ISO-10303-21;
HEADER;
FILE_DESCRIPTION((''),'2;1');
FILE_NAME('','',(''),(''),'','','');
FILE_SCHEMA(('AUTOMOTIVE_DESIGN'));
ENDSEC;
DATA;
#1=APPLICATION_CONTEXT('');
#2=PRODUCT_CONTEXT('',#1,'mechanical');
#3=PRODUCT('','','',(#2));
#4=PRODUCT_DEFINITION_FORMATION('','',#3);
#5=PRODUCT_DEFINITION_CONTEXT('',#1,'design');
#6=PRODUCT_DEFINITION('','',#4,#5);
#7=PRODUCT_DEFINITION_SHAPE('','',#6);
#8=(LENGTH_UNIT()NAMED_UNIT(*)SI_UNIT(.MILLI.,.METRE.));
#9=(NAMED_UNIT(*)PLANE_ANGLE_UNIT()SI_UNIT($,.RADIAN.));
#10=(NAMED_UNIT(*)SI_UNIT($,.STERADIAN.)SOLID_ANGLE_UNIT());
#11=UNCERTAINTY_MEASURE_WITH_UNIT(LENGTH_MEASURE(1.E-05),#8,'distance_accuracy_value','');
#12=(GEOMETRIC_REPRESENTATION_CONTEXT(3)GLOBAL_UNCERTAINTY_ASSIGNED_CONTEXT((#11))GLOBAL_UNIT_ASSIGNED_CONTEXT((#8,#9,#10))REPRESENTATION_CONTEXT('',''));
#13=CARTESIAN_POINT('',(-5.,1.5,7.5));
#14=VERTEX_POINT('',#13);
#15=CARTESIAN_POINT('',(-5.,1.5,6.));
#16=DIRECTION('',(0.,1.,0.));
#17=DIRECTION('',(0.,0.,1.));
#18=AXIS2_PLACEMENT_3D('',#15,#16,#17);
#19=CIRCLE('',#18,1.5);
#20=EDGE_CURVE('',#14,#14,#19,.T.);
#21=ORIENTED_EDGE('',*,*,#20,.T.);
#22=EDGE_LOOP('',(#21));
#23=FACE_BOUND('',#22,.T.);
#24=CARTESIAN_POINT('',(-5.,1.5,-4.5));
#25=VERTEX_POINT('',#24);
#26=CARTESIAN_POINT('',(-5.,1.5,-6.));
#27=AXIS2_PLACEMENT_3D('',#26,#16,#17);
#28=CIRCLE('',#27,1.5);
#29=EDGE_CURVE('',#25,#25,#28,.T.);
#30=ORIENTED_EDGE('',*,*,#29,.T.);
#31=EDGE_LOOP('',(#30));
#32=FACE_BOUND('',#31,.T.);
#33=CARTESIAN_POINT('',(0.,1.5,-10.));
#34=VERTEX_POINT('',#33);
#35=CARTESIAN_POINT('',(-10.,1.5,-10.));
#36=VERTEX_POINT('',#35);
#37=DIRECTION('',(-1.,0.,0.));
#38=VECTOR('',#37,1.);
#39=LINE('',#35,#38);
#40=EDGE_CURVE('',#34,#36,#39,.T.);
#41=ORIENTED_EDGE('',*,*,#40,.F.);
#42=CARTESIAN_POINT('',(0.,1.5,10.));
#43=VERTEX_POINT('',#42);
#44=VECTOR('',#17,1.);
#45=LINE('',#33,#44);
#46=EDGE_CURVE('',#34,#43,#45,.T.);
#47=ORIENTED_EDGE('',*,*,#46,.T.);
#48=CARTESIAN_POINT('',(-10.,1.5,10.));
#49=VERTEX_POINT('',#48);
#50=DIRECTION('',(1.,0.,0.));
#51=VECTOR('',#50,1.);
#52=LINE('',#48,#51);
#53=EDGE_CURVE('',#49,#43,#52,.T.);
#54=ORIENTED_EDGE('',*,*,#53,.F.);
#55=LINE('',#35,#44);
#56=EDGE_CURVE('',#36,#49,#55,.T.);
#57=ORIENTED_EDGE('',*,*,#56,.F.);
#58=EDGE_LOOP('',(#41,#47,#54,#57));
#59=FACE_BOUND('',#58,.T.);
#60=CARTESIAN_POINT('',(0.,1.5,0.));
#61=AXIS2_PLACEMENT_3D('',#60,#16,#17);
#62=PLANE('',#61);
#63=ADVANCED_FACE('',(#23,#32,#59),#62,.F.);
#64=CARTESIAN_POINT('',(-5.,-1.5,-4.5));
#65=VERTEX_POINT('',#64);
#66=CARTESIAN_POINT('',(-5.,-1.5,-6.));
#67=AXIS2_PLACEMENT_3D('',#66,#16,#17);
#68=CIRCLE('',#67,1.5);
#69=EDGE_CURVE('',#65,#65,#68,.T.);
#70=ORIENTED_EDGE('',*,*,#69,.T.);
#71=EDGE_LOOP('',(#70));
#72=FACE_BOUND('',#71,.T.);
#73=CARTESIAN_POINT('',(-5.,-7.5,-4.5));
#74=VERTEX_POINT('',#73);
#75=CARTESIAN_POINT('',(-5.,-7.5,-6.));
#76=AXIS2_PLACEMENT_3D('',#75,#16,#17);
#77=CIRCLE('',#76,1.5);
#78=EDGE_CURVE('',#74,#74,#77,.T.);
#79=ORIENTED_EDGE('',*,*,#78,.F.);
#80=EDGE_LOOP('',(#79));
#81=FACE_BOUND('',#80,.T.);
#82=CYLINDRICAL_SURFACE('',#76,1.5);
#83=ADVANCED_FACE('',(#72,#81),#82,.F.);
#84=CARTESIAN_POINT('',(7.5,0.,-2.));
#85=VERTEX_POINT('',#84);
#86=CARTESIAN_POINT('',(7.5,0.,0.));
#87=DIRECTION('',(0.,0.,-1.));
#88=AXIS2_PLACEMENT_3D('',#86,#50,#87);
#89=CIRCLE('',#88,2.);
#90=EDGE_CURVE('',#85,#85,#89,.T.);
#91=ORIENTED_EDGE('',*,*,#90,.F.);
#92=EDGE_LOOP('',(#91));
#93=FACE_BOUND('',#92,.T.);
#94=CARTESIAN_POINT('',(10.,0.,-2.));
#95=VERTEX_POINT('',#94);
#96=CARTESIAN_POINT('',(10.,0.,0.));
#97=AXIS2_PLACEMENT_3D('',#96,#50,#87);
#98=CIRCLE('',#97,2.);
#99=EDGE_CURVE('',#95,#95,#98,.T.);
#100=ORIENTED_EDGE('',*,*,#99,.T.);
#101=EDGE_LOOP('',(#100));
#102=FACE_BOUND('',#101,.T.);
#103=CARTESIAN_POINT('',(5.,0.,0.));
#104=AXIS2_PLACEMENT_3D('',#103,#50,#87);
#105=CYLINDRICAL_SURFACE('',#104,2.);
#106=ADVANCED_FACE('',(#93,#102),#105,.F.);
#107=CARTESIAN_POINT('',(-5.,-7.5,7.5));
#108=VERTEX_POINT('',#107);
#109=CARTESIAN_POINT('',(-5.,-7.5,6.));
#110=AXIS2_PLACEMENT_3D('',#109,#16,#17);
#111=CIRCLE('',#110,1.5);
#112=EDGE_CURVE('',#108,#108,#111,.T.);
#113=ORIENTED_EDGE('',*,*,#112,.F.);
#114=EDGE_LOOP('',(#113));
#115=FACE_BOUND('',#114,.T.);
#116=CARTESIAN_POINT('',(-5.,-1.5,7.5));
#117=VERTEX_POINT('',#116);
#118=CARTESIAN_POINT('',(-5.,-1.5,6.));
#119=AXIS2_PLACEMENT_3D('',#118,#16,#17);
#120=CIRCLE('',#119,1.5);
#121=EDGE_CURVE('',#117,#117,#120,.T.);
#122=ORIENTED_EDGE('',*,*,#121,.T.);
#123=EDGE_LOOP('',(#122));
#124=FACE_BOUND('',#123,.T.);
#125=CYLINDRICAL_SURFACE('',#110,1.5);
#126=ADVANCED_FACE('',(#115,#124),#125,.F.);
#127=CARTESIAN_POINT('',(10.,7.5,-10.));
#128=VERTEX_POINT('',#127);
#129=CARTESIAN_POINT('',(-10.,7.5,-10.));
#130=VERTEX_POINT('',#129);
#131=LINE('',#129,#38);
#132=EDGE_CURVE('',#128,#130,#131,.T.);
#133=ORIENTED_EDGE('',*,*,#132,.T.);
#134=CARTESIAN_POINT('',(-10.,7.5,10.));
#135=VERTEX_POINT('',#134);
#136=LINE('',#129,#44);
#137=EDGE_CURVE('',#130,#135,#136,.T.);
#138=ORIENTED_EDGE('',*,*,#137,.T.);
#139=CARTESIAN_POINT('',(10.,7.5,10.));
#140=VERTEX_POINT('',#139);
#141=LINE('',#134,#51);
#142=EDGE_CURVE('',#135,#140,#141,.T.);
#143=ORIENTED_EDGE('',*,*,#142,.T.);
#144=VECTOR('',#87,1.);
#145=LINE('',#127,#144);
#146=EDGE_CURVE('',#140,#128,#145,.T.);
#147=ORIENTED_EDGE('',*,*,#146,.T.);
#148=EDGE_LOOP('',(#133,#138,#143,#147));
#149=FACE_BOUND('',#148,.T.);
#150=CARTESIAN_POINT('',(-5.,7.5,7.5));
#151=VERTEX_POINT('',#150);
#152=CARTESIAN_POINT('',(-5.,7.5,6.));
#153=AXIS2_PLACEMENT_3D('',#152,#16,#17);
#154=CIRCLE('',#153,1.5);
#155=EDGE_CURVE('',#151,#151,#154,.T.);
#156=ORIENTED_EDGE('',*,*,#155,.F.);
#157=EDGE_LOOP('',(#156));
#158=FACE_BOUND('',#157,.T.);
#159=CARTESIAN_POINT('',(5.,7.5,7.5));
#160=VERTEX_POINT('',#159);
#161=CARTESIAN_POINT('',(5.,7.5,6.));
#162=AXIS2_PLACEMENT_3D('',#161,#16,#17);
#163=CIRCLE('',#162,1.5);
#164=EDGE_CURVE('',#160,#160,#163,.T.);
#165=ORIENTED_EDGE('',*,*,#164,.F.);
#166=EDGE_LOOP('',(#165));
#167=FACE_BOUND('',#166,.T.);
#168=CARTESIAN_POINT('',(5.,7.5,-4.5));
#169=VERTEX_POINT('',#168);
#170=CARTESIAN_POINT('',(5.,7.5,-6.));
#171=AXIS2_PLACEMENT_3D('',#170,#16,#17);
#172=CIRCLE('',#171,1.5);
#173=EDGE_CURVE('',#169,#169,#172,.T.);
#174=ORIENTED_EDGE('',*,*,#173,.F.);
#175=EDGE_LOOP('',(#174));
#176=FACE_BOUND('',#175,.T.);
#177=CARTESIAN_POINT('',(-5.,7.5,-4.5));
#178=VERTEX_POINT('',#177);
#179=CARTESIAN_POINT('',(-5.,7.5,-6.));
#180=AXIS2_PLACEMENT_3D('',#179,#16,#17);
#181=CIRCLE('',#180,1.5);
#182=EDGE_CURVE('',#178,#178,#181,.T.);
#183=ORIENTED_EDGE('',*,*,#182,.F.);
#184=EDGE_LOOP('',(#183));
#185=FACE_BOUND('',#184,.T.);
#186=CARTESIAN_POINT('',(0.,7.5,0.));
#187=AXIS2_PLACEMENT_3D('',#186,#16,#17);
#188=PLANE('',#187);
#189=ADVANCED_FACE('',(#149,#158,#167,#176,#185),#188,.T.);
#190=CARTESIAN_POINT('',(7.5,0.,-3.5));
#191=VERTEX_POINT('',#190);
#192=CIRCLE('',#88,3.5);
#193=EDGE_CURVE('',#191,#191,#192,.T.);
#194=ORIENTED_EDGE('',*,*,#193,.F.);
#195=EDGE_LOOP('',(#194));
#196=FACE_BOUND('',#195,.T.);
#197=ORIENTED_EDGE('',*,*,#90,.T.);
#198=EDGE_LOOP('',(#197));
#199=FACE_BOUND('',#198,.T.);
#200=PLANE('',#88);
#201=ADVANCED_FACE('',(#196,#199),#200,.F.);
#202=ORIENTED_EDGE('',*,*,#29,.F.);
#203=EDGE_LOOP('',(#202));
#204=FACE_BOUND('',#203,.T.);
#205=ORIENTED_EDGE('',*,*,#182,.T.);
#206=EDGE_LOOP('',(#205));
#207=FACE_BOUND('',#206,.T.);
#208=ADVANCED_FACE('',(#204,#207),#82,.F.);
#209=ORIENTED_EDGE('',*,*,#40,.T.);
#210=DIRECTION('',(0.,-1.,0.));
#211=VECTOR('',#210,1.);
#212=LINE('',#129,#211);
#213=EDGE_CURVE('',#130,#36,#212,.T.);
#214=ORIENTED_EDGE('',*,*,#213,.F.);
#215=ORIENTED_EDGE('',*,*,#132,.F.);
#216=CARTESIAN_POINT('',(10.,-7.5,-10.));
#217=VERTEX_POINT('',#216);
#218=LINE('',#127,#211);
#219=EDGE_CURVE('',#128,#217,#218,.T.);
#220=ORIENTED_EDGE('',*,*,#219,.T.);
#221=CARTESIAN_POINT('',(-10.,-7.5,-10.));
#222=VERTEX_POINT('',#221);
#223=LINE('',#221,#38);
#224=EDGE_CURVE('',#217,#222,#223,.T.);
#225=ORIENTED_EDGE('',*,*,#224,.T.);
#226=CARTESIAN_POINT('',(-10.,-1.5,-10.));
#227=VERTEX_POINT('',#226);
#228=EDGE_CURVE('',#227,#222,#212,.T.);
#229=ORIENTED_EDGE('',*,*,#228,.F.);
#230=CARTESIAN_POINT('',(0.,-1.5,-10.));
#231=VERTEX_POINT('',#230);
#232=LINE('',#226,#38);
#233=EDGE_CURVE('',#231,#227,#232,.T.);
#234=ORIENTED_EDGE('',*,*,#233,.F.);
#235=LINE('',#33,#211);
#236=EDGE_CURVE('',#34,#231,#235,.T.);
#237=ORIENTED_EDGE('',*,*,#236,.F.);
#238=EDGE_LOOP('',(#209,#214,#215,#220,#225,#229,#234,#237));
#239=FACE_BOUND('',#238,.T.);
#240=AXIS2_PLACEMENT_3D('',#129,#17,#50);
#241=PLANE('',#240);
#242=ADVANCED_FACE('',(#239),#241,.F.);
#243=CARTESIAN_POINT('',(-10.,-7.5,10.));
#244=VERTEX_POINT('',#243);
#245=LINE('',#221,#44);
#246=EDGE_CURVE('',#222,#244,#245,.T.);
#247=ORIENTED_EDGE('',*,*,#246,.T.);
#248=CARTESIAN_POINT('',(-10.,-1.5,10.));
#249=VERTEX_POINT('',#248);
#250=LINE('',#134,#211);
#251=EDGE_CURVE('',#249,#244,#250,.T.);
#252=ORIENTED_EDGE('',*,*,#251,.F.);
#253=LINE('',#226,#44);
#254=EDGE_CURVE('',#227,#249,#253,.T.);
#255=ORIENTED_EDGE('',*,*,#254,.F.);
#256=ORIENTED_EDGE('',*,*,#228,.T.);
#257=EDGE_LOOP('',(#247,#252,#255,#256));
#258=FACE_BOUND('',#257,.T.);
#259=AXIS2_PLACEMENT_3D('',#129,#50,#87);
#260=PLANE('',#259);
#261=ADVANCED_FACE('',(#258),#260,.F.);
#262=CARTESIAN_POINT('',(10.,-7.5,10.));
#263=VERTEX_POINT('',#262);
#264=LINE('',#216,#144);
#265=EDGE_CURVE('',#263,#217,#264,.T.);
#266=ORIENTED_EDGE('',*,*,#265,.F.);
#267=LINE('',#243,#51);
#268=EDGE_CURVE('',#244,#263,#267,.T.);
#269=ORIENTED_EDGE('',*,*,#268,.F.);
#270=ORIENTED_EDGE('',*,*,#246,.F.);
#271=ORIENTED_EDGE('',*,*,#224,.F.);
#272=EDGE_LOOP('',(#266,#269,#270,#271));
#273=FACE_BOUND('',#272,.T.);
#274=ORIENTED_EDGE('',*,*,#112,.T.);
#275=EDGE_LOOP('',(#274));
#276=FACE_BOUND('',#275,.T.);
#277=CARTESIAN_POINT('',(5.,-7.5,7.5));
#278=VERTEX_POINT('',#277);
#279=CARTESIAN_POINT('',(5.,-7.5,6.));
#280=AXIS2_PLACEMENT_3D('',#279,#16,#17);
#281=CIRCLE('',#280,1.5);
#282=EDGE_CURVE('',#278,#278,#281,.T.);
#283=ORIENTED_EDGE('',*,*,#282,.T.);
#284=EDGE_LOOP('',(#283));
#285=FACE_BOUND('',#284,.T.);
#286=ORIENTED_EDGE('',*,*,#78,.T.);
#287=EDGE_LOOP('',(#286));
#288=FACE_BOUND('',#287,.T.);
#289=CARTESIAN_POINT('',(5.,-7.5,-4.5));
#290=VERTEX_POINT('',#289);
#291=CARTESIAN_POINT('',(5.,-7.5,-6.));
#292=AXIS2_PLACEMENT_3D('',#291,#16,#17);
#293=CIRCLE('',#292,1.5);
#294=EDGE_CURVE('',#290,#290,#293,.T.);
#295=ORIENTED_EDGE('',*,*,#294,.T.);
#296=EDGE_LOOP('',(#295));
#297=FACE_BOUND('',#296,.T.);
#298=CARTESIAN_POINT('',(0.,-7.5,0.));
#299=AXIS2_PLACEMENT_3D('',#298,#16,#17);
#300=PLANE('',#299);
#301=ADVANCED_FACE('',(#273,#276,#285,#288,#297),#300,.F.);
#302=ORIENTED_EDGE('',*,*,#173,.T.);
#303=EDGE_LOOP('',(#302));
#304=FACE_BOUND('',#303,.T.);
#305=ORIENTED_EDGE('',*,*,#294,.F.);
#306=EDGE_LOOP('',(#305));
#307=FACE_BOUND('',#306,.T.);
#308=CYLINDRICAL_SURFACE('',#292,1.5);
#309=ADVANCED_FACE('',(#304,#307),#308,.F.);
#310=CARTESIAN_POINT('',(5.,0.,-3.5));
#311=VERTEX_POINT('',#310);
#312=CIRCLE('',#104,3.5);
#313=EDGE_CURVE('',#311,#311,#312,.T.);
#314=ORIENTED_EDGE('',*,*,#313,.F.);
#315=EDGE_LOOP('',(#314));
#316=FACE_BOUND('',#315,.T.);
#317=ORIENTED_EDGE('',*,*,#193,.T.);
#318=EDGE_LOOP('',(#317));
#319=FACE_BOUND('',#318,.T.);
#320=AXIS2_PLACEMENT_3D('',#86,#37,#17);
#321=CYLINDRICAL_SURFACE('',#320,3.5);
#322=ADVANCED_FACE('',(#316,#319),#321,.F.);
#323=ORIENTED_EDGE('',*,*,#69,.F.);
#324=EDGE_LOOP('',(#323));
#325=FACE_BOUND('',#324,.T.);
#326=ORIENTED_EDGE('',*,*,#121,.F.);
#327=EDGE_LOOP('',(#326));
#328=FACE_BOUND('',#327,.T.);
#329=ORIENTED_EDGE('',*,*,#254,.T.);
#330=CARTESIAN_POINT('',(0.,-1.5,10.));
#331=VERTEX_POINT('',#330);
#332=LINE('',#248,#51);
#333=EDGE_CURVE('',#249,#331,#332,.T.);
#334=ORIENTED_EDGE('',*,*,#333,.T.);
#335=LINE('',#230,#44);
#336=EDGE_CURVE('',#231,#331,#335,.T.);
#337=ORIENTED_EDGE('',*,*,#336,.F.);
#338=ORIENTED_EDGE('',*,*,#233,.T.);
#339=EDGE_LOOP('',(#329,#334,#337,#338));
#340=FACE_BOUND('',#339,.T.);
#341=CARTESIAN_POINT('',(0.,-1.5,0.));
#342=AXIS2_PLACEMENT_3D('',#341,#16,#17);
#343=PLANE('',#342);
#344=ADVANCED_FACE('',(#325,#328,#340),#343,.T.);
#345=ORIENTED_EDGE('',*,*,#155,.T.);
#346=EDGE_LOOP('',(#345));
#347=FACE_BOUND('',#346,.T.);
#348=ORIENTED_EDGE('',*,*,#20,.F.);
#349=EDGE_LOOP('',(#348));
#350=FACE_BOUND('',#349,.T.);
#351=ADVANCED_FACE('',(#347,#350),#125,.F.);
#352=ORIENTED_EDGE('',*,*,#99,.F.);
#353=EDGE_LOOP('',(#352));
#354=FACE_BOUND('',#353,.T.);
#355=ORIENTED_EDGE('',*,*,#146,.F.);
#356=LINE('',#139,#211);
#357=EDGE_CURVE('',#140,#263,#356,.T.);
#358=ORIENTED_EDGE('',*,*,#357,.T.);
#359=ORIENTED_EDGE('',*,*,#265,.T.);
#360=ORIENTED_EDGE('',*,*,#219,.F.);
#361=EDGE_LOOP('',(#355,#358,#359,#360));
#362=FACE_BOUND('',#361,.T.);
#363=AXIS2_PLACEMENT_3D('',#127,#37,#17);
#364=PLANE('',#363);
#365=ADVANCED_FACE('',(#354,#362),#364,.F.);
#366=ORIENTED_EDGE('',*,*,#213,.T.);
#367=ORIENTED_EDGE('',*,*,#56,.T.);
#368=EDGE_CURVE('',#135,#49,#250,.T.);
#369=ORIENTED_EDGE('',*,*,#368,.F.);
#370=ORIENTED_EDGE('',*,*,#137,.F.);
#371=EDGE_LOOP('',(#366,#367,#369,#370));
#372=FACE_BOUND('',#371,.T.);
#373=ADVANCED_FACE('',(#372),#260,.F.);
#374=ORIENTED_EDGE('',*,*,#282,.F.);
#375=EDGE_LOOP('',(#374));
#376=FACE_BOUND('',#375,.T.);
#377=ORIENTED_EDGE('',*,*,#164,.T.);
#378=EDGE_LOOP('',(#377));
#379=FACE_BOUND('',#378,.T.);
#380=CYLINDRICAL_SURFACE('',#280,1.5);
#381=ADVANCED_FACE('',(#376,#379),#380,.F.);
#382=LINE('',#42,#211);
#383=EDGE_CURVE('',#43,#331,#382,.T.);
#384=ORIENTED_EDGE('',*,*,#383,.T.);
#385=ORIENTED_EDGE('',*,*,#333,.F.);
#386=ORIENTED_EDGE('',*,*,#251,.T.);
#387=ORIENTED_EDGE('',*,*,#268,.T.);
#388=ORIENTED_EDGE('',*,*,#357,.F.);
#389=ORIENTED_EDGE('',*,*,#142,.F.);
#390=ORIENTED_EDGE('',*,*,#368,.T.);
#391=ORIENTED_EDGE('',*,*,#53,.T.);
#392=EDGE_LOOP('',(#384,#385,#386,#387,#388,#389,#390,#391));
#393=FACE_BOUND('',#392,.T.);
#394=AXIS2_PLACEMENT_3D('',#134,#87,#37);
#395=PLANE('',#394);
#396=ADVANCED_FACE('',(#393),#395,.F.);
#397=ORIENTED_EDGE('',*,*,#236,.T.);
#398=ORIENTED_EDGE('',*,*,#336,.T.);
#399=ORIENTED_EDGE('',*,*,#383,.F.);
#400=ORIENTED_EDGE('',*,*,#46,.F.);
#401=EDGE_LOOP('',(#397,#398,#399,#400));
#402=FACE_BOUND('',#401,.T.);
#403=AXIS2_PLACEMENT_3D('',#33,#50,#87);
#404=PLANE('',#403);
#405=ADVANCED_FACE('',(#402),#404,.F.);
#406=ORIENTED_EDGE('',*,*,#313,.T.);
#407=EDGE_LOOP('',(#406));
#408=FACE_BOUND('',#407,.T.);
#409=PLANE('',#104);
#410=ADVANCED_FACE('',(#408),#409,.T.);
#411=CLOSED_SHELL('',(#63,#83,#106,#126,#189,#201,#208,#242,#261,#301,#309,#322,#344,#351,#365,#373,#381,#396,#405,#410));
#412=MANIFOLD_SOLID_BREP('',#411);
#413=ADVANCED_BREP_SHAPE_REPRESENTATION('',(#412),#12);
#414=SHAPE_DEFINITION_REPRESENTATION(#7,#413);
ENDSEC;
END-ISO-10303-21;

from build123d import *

# Parameters (mm, degrees)
SKETCH1_W            = 20
SKETCH1_H            = 20
BOSS_EXTRUDE1_DEPTH  = 7.5
SKETCH1_3_W          = 20
SKETCH1_3_H          = 20
CUT_EXTRUDE2_DEPTH   = 1.5
SKETCH3_W            = 10
SKETCH3_H            = 20
BOSS_EXTRUDE2_DEPTH  = 1.5
MOUNTHOLE_DEPTH      = 17.007810594
MOUNTHOLE_DEPTH_BACK = 17.007810594
SKETCH5_R            = 1.5
SKETCH6_R            = 3.5
BEARINGHOLE_DEPTH    = 2.5
SKETCH4_R            = 2
SHAFT_DEPTH          = 5


with BuildPart() as part:
    # Sketch1 → Boss-Extrude1 (new, symmetric)
    with BuildSketch(Plane(origin=(0, 0, 0), x_dir=(1, 0, 0), z_dir=(0, 1, 0))):
        Rectangle(SKETCH1_W, SKETCH1_H)
    extrude(amount=BOSS_EXTRUDE1_DEPTH, both=True)

    # Sketch1<3> → Cut-Extrude2 (cut, symmetric)
    with BuildSketch(Plane(origin=(0, 0, 0), x_dir=(1, 0, 0), z_dir=(0, 1, 0))):
        Rectangle(SKETCH1_3_W, SKETCH1_3_H)
    extrude(amount=CUT_EXTRUDE2_DEPTH, both=True, mode=Mode.SUBTRACT)


with BuildPart() as cut_extrude2_piece_1:
    # of the separate pieces the step leaves, piece 1, a body of its own (cut_extrude2_pieces)
    add(part.part.solids().sort_by_distance((-10, -7.5, -10))[0])



with BuildPart() as cut_extrude2_piece_2:
    # of the separate pieces the step leaves, piece 2, a body of its own (cut_extrude2_pieces)
    add(part.part.solids().sort_by_distance((-10, 1.5, -10))[0])


with BuildPart() as cut_extrude2_piece_1_1:
    add(cut_extrude2_piece_1.part)

    add(cut_extrude2_piece_2.part)  # Boss-Extrude2 merges Cut-Extrude2 piece 2
    # Sketch3 → Boss-Extrude2 (add, symmetric)
    with BuildSketch(Plane(origin=(0, 0, 0), x_dir=(1, 0, 0), z_dir=(0, 1, 0))):
        with Locations((5, 0)):
            Rectangle(SKETCH3_W, SKETCH3_H)
    extrude(amount=BOSS_EXTRUDE2_DEPTH, both=True)

    # Sketch5 → mounthole (cut, two sides: drawn at the far end of the back side and taken through both)
    with BuildSketch(Plane(origin=(0, 0, 0), x_dir=(1, 0, 0), z_dir=(0, 1, 0)).offset(-MOUNTHOLE_DEPTH_BACK)):
        with Locations((-5, 6)):
            Circle(SKETCH5_R)
        with Locations((5, 6)):
            Circle(SKETCH5_R)
        with Locations((5, -6)):
            Circle(SKETCH5_R)
        with Locations((-5, -6)):
            Circle(SKETCH5_R)
    extrude(amount=MOUNTHOLE_DEPTH + MOUNTHOLE_DEPTH_BACK, mode=Mode.SUBTRACT)

    # Sketch6 → bearinghole (cut)
    with BuildSketch(Plane(origin=(5, 0, 0), x_dir=(0, 0, -1), z_dir=(1, 0, 0))):
        Circle(SKETCH6_R)
    extrude(amount=BEARINGHOLE_DEPTH, mode=Mode.SUBTRACT)

    # Sketch4 → shaft (cut)
    with BuildSketch(Plane(origin=(10, 0, 0), x_dir=(0, 0, -1), z_dir=(1, 0, 0))):
        Circle(SKETCH4_R)
    extrude(amount=-SHAFT_DEPTH, mode=Mode.SUBTRACT)


solid = cut_extrude2_piece_1_1.part
